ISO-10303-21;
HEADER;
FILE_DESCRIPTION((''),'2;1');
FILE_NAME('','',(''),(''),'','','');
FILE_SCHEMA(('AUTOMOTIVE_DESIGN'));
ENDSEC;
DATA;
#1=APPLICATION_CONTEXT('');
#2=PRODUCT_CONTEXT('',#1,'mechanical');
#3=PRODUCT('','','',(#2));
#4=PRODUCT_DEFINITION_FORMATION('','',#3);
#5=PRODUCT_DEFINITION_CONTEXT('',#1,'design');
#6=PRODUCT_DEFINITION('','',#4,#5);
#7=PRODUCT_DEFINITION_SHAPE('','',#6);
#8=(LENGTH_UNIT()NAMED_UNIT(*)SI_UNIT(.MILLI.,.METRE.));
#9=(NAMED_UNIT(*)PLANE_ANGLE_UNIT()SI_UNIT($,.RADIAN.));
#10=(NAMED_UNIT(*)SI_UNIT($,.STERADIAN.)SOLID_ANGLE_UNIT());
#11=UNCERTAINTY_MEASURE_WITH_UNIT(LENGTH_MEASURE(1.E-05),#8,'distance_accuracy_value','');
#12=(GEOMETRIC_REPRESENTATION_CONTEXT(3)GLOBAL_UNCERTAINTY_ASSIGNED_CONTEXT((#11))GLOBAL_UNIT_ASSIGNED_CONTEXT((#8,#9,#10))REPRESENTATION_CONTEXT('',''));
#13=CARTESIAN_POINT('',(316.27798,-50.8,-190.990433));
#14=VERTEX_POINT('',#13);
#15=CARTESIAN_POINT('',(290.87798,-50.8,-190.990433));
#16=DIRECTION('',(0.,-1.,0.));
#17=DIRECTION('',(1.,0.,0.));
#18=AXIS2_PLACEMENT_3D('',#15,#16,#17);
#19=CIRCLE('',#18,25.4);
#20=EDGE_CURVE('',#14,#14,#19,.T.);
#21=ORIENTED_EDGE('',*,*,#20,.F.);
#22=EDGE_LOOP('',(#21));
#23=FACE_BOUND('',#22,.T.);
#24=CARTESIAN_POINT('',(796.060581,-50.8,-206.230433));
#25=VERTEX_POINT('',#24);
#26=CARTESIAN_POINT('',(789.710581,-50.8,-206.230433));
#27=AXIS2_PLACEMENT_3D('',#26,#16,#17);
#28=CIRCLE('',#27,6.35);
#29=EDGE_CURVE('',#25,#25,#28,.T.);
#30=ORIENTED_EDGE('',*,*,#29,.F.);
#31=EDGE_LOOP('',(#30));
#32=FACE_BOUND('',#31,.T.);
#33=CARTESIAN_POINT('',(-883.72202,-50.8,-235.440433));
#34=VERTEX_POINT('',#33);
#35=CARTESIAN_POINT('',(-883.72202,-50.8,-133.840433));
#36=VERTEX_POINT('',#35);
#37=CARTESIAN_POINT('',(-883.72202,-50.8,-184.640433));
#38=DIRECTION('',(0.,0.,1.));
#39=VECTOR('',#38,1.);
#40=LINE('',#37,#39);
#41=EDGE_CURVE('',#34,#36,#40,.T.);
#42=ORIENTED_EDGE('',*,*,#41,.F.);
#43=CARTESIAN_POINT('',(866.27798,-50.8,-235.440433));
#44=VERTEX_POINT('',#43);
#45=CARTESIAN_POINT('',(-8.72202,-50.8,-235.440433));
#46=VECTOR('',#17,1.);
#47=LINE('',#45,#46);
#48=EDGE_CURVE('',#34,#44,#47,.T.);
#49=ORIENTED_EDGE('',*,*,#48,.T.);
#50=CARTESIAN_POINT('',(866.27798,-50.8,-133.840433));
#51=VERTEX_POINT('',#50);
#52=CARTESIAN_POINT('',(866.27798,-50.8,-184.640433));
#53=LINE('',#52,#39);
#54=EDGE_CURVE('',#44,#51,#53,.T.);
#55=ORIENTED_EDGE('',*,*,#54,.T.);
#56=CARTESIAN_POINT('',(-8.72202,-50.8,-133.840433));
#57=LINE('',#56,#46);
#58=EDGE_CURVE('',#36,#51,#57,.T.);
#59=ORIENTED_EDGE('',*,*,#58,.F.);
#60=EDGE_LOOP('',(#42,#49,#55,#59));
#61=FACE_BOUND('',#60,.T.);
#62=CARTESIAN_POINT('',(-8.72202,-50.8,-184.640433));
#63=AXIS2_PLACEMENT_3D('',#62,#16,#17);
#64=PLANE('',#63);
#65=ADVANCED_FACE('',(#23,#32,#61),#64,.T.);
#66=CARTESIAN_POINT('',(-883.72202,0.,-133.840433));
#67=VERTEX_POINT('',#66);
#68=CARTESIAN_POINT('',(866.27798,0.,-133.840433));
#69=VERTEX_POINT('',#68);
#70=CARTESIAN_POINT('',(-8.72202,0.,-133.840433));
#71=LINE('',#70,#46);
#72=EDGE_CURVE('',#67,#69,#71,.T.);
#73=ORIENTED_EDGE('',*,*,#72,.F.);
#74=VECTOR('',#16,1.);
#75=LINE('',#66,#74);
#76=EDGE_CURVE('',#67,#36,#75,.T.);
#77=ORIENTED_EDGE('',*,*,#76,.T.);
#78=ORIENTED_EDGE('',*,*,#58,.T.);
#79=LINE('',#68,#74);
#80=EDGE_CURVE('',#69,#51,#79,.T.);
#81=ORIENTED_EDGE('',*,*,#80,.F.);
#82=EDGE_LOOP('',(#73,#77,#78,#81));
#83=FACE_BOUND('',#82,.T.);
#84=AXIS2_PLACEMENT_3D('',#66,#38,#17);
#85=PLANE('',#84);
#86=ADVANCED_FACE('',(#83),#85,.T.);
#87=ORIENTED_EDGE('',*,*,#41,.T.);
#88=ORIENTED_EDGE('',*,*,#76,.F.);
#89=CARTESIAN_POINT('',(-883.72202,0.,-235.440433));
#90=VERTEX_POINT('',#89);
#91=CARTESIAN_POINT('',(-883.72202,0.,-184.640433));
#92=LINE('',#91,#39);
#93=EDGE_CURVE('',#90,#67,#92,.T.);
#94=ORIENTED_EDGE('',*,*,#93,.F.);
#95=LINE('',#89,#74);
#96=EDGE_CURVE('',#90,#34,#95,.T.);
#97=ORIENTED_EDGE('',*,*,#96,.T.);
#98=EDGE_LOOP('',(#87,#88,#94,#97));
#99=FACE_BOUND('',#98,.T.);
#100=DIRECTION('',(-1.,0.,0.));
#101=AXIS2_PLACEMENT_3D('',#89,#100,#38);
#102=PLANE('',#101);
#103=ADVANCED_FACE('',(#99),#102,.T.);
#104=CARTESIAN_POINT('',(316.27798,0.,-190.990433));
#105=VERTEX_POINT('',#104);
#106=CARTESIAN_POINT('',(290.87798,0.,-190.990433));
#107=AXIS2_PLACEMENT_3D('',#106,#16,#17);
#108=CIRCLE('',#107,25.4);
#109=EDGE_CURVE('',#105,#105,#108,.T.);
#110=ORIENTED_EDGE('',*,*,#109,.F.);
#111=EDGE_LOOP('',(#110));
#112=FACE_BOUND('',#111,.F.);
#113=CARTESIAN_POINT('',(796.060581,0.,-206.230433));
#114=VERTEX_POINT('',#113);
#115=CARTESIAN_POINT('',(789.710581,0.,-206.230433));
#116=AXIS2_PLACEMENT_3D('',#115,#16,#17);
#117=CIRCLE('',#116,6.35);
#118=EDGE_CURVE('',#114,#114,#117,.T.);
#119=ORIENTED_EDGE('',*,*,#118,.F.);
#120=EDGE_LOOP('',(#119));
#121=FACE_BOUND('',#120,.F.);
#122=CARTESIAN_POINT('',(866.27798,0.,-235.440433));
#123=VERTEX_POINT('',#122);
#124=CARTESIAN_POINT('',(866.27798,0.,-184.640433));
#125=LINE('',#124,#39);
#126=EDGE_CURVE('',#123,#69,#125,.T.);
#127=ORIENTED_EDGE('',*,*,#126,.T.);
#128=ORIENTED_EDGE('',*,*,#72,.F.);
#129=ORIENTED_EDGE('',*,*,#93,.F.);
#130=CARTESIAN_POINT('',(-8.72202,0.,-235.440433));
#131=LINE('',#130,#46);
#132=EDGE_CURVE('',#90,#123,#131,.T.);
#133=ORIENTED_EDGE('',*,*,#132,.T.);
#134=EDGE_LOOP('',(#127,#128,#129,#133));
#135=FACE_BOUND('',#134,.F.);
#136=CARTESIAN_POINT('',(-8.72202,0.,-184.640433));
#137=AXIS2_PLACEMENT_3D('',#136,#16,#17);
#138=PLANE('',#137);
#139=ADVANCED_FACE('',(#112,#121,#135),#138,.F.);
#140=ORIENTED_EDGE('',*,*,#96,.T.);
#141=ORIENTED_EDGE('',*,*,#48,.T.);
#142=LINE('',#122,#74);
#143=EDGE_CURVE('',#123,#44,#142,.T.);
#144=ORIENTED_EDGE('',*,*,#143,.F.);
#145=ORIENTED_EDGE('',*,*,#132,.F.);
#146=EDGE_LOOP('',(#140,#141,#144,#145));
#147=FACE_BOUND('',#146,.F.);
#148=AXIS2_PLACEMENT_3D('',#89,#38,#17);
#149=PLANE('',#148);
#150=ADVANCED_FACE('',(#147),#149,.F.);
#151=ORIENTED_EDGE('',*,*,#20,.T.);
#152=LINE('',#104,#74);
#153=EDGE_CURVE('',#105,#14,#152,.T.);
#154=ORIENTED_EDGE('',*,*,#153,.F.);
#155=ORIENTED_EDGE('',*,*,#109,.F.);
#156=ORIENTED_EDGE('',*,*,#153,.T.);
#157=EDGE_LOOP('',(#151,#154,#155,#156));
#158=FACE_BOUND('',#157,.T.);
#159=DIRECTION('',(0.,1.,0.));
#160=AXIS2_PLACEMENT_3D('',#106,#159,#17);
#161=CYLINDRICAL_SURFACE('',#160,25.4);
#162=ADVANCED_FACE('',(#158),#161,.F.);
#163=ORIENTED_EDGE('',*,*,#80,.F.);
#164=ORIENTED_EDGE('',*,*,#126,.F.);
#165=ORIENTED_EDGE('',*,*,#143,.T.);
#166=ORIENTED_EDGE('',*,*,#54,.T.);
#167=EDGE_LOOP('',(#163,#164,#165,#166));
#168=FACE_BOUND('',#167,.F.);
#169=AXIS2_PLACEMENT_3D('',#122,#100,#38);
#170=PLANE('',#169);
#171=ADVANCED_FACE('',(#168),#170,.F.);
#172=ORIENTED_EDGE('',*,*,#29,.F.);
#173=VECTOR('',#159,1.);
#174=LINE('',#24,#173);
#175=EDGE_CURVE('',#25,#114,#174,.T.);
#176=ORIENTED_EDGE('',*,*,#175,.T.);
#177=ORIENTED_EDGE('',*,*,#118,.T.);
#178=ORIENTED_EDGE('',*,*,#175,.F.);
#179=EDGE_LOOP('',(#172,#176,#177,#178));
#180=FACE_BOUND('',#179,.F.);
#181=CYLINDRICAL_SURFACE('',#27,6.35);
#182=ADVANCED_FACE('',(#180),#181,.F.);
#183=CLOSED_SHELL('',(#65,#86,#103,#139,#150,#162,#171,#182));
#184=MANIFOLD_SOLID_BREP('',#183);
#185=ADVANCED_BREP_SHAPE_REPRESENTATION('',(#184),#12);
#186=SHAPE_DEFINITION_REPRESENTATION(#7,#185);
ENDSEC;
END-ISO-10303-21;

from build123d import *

# Parameters (mm, degrees)
F0_W     = 1750
F0_H     = 101.6
F0_R     = 25.4
F1_DEPTH = 50.8
F2_R     = 6.35
F3_DEPTH = 50.8


with BuildPart() as f1:
    # F0 (on Front) → F1 (new body)
    with BuildSketch(Plane.XZ):
        with Locations((-8.72202, -184.640433)):
            Rectangle(F0_W, F0_H)
        with Locations((290.87798, -190.990433)):
            Circle(F0_R, mode=Mode.SUBTRACT)
    extrude(amount=F1_DEPTH)

    # F2 (on face) → F3 (cut)
    with BuildSketch(Plane.XZ.offset(50.8)):
        with Locations((789.710581, -206.230433)):
            Circle(F2_R)
    extrude(amount=-F3_DEPTH, mode=Mode.SUBTRACT)


solid = f1.part
